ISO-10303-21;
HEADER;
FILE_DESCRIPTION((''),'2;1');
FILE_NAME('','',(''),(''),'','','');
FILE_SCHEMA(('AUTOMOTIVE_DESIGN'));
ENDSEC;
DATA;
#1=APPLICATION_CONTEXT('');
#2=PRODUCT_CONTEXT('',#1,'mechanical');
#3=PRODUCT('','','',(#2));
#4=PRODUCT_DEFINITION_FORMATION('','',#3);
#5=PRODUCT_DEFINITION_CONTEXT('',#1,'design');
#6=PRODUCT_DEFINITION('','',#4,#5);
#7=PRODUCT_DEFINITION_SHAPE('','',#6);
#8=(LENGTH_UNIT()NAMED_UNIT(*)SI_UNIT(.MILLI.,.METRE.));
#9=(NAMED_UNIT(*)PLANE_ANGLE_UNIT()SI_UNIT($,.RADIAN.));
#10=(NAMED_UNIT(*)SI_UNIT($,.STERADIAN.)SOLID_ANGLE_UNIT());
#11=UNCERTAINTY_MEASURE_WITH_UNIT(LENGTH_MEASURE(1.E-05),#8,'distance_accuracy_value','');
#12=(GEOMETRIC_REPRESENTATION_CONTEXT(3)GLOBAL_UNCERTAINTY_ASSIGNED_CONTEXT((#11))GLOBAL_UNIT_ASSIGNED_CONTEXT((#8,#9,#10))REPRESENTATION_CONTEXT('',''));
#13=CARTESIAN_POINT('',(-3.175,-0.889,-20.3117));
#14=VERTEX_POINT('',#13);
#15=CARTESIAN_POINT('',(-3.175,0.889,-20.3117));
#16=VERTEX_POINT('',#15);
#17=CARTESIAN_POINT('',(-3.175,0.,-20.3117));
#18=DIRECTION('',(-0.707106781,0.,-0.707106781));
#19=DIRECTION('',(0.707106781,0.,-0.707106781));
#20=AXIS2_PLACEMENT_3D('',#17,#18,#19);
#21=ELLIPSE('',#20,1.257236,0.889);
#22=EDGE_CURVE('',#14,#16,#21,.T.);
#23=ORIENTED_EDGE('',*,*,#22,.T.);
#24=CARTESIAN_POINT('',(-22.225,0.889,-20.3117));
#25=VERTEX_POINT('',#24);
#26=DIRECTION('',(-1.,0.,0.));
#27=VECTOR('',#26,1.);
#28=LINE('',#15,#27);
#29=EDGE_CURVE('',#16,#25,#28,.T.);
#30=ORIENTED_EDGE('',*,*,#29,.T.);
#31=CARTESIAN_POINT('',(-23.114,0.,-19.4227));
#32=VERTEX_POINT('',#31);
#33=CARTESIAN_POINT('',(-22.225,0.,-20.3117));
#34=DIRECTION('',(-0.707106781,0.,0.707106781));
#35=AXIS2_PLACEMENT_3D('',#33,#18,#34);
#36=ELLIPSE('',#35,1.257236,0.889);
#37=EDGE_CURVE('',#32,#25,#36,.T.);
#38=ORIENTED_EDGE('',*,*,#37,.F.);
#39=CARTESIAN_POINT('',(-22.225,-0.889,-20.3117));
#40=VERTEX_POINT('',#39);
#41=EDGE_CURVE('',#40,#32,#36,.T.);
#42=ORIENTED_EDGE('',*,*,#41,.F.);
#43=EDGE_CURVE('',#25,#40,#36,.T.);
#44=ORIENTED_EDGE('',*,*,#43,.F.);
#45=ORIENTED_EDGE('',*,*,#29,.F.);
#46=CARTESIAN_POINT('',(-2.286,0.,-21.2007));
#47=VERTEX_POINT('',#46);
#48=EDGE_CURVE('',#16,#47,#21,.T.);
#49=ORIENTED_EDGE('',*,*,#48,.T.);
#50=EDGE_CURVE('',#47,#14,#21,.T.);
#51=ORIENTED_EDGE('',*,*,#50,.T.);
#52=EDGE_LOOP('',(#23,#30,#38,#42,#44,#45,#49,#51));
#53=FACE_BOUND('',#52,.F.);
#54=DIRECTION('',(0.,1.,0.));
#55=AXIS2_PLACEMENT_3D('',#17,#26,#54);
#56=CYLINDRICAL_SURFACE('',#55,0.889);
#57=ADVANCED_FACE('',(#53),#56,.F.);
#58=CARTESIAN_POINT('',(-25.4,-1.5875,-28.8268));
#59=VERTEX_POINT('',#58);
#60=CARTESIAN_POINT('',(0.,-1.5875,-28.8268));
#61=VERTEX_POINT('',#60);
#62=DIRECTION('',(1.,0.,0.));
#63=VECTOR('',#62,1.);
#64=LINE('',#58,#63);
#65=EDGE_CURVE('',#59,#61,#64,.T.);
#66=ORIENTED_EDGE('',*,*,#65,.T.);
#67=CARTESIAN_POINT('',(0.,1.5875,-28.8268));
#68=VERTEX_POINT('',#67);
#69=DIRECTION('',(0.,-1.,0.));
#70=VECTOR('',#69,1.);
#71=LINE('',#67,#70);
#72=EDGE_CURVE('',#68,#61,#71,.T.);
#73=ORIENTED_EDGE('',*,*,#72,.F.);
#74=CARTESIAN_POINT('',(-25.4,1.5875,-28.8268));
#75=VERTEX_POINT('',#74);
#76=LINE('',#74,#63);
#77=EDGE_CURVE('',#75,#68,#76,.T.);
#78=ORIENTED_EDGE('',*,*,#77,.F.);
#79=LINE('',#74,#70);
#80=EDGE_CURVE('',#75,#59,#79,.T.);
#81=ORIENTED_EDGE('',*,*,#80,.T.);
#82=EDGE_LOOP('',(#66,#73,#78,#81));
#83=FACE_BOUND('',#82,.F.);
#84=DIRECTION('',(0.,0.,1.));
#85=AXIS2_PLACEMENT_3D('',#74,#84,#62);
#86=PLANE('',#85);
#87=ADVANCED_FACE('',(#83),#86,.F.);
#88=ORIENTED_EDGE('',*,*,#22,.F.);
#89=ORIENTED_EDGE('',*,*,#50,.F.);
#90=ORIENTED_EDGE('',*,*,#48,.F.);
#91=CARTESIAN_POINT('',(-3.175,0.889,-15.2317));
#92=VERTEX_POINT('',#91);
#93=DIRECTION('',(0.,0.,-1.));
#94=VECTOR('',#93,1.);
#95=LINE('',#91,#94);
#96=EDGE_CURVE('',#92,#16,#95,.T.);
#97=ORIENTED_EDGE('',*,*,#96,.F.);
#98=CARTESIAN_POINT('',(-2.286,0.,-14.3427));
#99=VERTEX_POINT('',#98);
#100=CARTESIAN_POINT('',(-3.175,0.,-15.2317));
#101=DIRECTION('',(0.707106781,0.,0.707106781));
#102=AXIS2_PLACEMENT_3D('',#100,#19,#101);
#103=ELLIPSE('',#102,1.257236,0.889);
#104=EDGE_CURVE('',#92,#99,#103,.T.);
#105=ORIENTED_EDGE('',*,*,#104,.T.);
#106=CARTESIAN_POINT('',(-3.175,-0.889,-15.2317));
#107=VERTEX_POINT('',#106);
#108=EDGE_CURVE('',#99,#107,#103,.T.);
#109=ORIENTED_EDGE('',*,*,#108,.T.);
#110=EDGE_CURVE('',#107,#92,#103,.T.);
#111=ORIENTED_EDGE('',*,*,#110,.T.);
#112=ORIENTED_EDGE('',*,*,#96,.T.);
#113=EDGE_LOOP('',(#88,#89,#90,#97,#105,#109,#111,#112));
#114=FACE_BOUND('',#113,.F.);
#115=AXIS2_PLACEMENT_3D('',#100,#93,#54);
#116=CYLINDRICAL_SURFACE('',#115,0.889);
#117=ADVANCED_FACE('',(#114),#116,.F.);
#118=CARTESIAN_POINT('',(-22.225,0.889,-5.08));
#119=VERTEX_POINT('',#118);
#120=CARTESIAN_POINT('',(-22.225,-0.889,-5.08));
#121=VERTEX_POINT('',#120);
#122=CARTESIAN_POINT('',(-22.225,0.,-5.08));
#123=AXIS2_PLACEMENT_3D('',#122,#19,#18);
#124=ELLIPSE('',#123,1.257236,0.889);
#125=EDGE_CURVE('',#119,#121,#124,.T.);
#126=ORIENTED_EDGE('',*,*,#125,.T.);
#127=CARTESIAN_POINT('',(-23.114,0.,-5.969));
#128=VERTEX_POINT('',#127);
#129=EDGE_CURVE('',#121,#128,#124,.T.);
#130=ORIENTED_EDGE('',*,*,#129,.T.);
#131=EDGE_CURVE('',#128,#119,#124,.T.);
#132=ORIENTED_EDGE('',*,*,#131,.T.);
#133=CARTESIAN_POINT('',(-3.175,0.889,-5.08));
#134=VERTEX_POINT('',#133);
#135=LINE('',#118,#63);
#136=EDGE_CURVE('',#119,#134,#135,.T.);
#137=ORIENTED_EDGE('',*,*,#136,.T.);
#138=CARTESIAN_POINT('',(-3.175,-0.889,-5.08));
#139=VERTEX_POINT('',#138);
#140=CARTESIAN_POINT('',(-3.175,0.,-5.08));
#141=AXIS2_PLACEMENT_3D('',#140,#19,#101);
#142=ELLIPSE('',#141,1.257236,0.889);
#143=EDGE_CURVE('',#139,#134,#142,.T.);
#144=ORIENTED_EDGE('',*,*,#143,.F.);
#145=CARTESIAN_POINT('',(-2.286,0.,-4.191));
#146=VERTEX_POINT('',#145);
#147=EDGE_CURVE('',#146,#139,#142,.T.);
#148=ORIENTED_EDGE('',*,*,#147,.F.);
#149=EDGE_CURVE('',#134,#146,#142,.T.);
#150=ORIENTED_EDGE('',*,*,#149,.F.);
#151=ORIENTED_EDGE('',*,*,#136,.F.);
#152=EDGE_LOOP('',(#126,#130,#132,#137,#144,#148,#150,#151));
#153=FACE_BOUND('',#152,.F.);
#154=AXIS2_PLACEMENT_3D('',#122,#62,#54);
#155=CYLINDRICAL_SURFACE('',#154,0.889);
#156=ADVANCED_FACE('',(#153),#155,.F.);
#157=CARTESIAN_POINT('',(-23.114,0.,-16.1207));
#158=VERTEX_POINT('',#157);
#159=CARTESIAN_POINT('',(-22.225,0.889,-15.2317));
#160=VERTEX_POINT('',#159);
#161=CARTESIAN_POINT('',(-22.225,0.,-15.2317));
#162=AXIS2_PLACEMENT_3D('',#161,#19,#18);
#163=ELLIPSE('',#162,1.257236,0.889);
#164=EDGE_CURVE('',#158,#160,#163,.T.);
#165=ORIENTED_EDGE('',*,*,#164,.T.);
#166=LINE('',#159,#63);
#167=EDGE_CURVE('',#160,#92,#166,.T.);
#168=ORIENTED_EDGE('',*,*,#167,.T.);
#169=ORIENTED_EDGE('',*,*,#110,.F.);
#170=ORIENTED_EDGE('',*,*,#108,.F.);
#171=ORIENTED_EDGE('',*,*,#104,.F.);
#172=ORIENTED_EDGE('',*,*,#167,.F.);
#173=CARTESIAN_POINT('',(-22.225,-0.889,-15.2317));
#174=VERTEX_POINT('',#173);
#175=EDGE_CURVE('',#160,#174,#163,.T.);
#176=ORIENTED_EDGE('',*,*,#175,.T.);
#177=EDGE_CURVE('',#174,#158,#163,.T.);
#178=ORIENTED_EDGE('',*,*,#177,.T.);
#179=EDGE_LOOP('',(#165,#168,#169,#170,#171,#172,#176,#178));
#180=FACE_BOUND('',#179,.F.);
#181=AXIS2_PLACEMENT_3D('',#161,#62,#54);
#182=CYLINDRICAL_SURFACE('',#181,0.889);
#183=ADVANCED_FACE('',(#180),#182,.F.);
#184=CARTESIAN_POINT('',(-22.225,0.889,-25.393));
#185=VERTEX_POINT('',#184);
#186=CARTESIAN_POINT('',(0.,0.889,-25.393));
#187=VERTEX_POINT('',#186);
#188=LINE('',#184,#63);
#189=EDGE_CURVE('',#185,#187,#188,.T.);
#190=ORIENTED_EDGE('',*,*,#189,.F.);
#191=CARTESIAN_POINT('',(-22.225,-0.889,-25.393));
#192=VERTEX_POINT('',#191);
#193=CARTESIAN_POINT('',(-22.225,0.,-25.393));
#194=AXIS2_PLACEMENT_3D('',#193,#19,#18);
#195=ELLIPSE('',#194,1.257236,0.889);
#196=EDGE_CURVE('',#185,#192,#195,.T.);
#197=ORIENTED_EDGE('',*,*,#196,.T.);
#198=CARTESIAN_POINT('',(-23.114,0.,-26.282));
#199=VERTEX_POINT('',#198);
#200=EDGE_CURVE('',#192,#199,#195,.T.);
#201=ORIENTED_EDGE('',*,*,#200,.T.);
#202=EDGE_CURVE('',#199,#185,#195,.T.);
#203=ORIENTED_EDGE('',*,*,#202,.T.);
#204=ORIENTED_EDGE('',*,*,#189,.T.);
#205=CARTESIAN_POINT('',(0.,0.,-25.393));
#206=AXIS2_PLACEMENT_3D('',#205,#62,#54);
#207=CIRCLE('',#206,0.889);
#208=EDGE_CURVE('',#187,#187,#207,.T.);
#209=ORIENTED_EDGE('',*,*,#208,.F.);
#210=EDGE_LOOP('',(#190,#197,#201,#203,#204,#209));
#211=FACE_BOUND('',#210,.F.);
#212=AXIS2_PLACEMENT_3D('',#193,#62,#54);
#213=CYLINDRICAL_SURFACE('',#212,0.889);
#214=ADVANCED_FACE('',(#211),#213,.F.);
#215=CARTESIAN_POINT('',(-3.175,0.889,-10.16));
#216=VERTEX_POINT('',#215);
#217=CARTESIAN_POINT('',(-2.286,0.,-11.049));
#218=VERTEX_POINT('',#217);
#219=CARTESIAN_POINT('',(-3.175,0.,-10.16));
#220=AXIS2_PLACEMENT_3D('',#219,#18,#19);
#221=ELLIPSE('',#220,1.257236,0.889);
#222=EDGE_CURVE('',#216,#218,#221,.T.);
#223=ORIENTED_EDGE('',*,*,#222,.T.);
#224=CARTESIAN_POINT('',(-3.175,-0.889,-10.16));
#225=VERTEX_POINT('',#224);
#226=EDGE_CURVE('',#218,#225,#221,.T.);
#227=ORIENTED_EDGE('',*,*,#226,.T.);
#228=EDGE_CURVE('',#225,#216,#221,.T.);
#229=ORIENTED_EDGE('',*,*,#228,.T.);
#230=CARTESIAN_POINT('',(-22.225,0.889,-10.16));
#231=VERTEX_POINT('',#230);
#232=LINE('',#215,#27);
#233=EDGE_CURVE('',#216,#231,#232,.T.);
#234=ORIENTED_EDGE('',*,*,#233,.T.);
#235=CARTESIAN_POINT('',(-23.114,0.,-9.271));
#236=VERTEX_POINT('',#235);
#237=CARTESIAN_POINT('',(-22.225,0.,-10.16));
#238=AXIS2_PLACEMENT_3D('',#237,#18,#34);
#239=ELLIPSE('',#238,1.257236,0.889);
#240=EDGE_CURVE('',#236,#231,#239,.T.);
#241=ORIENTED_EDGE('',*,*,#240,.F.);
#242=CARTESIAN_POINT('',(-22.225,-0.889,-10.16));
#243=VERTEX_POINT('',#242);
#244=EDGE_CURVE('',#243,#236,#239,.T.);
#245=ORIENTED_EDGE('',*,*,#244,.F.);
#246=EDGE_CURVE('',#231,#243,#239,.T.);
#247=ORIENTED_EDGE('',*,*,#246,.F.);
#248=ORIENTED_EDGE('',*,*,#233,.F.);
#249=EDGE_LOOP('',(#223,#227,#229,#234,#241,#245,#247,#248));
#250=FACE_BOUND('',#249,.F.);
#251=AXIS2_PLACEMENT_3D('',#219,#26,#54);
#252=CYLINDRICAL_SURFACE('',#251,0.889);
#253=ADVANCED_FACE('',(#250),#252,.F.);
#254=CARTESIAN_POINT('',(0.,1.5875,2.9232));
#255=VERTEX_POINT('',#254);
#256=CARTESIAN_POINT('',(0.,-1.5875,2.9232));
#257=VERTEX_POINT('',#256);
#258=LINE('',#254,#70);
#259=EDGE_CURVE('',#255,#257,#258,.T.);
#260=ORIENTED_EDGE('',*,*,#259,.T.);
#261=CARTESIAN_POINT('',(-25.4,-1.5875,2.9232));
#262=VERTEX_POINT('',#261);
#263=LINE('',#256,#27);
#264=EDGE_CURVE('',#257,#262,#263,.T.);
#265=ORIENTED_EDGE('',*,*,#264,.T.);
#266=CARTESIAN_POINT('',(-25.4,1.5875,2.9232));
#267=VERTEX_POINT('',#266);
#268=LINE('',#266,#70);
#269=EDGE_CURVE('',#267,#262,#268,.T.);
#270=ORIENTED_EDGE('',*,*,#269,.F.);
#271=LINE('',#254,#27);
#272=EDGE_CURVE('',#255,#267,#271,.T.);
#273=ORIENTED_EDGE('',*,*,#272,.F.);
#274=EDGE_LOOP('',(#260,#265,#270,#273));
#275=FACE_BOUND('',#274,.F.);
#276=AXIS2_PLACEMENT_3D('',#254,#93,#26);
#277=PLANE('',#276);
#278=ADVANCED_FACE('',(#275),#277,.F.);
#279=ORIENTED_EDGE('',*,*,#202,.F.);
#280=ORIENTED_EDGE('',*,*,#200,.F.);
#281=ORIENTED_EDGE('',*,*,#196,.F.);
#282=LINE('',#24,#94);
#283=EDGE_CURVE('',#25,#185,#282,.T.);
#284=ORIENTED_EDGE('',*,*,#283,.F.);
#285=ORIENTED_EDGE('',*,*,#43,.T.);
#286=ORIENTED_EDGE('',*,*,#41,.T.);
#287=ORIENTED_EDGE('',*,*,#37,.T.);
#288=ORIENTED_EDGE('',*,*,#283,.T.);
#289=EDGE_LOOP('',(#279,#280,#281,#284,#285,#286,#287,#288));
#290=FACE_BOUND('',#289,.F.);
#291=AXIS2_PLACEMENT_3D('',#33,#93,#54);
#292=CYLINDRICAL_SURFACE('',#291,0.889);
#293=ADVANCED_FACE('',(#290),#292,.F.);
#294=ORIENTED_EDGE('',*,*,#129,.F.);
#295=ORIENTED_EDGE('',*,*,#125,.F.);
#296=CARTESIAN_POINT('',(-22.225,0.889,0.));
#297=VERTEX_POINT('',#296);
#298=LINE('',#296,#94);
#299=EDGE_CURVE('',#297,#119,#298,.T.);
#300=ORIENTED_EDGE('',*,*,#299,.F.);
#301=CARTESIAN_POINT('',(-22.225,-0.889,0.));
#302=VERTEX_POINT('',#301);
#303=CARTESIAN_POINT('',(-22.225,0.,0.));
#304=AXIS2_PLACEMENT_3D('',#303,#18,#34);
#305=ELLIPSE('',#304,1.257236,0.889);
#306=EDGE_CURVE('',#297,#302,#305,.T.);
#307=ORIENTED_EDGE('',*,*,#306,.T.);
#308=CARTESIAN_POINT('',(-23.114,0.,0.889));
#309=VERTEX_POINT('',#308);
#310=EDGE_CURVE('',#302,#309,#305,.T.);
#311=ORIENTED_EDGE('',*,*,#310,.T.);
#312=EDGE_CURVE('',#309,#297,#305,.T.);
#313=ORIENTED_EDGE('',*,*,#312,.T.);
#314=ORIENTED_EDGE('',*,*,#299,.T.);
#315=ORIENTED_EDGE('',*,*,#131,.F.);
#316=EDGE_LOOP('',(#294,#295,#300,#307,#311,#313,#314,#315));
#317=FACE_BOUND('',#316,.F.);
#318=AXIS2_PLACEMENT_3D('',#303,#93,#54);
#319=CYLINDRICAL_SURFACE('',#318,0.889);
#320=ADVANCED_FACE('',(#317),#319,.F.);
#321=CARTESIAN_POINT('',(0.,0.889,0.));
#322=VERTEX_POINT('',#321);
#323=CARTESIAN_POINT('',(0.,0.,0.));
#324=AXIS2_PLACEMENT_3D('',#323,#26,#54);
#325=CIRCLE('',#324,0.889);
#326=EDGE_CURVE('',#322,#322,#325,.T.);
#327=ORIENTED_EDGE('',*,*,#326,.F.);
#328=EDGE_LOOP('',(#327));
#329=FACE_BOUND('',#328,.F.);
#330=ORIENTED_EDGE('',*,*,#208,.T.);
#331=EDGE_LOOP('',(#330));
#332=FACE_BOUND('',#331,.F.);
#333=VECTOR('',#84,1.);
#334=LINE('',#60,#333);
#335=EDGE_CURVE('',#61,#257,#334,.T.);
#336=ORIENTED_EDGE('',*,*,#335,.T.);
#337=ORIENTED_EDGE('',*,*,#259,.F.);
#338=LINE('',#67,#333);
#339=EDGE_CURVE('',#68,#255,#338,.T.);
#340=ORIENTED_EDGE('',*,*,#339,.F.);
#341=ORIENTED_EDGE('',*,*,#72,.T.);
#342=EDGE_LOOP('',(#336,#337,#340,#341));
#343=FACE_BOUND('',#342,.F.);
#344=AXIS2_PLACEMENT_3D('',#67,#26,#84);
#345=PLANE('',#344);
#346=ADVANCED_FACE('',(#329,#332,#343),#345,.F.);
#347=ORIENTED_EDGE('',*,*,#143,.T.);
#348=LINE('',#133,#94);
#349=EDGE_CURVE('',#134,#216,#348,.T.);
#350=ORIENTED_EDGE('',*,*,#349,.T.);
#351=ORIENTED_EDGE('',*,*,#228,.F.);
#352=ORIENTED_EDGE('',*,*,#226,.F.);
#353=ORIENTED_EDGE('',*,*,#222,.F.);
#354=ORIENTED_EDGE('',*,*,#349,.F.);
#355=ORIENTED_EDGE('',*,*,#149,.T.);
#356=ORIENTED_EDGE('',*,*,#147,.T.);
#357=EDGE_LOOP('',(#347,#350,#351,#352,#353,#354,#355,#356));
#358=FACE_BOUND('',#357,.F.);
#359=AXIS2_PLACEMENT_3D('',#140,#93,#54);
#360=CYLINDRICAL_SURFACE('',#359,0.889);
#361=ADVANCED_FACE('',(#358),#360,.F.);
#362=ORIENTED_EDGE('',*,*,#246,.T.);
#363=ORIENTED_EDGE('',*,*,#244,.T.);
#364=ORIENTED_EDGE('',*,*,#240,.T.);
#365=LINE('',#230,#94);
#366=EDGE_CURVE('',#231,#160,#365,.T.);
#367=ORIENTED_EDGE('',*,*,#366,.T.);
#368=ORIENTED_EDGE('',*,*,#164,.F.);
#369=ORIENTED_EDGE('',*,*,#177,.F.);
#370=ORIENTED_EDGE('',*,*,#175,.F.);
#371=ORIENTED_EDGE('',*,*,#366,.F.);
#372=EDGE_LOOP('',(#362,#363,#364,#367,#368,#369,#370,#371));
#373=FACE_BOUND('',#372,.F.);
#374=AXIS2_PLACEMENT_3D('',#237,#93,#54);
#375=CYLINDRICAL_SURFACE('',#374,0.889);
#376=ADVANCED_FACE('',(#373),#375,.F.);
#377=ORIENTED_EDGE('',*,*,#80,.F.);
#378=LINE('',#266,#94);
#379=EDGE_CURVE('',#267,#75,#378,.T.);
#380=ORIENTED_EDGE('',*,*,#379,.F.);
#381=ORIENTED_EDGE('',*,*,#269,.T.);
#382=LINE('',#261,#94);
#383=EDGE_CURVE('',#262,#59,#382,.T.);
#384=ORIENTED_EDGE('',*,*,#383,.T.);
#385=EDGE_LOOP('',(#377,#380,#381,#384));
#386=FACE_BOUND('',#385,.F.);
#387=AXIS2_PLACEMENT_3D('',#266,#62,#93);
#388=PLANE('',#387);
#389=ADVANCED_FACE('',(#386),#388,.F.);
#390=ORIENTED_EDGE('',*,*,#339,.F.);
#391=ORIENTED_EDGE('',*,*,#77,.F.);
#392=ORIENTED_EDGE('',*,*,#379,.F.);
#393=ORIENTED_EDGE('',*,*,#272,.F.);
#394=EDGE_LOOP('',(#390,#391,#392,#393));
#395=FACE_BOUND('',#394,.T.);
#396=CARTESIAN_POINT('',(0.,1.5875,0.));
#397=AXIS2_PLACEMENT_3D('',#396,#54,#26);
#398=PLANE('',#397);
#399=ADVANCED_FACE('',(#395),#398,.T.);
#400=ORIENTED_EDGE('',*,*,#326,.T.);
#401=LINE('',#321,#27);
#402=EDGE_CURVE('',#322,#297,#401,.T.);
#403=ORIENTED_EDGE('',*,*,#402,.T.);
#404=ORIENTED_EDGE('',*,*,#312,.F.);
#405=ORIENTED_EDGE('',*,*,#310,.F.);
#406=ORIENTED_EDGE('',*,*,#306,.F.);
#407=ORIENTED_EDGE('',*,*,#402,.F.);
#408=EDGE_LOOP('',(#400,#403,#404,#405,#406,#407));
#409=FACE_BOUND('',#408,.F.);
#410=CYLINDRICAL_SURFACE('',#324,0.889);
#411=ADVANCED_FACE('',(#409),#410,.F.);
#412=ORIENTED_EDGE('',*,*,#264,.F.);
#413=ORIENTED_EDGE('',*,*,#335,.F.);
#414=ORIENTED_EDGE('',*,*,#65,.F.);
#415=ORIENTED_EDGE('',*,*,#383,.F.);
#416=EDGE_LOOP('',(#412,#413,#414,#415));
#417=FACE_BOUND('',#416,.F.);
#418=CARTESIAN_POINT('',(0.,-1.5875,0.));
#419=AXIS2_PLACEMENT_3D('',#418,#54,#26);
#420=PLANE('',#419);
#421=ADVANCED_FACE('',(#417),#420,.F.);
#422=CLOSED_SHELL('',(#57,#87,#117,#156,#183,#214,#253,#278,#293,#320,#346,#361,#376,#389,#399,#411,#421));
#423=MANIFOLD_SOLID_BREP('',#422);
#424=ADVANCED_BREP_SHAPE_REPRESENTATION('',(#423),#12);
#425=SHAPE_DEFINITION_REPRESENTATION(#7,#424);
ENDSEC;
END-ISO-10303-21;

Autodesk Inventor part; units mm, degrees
ref_plane "YZ Plane" through (0, 0, 0) normal (1, 0, 0) x (0, 1, 0)
ref_plane "XY Plane" through (0, 0, 0) normal (0, 0, 1) x (1, 0, 0)
ref_plane "Work Plane1" through (0, 1.5875, 0) normal (0, 1, 0) x (-1, 0, 0)
sketch "Sketch8" plane through (0, 0, 0) normal (0, 1, 0) x (-1, 0, 0)
  line L0 (0, 0) -> (22.225, 0)
  line L1 (22.225, 0) -> (22.225, -5.08)
  line L2 (22.225, -5.08) -> (3.175, -5.08)
  line L3 (3.175, -5.08) -> (3.175, -10.16)
  line L4 (3.175, -10.16) -> (22.225, -10.16)
  line L5 (22.225, -10.16) -> (22.225, -15.2317)
  line L6 (22.225, -15.2317) -> (3.175, -15.2317)
  line L7 (3.175, -15.2317) -> (3.175, -20.3117)
  line L8 (3.175, -20.3117) -> (22.225, -20.3117)
  line L9 (22.225, -20.3117) -> (22.225, -25.393)
  line L10 (22.225, -25.393) -> (0, -25.393)
  dimension "d24" = 22.225
  dimension "d25" = 5.08
  dimension "d26" = 19.05
  dimension "d27" = 5.08
  dimension "d28" = 5.08
sketch "Sketch9" plane through (0, 0, 0) normal (1, 0, 0) x (0, 1, 0)
  circle A0 centre (0, 0) radius 0.889
  dimension "d29" = 1.778
sketch "Sketch10" plane through (0, 1.5875, 0) normal (0, 1, 0) x (-1, 0, 0)
  line L0 (0, 2.9232) -> (25.4, 2.9232)
  line L1 (25.4, 2.9232) -> (25.4, -28.8268)
  line L2 (25.4, -28.8268) -> (0, -28.8268)
  line L3 (0, -28.8268) -> (0, 2.9232)
  point P0 (0, 0)
  dimension "d30" = 25.4
  dimension "d32" = 31.75
extrude "Extrusion4" add sketch "Sketch10" against normal blind 3.175
sweep "Sweep2" cut profiles "Sketch9" path "Sketch8"
properties part number "strain gauge v2"
